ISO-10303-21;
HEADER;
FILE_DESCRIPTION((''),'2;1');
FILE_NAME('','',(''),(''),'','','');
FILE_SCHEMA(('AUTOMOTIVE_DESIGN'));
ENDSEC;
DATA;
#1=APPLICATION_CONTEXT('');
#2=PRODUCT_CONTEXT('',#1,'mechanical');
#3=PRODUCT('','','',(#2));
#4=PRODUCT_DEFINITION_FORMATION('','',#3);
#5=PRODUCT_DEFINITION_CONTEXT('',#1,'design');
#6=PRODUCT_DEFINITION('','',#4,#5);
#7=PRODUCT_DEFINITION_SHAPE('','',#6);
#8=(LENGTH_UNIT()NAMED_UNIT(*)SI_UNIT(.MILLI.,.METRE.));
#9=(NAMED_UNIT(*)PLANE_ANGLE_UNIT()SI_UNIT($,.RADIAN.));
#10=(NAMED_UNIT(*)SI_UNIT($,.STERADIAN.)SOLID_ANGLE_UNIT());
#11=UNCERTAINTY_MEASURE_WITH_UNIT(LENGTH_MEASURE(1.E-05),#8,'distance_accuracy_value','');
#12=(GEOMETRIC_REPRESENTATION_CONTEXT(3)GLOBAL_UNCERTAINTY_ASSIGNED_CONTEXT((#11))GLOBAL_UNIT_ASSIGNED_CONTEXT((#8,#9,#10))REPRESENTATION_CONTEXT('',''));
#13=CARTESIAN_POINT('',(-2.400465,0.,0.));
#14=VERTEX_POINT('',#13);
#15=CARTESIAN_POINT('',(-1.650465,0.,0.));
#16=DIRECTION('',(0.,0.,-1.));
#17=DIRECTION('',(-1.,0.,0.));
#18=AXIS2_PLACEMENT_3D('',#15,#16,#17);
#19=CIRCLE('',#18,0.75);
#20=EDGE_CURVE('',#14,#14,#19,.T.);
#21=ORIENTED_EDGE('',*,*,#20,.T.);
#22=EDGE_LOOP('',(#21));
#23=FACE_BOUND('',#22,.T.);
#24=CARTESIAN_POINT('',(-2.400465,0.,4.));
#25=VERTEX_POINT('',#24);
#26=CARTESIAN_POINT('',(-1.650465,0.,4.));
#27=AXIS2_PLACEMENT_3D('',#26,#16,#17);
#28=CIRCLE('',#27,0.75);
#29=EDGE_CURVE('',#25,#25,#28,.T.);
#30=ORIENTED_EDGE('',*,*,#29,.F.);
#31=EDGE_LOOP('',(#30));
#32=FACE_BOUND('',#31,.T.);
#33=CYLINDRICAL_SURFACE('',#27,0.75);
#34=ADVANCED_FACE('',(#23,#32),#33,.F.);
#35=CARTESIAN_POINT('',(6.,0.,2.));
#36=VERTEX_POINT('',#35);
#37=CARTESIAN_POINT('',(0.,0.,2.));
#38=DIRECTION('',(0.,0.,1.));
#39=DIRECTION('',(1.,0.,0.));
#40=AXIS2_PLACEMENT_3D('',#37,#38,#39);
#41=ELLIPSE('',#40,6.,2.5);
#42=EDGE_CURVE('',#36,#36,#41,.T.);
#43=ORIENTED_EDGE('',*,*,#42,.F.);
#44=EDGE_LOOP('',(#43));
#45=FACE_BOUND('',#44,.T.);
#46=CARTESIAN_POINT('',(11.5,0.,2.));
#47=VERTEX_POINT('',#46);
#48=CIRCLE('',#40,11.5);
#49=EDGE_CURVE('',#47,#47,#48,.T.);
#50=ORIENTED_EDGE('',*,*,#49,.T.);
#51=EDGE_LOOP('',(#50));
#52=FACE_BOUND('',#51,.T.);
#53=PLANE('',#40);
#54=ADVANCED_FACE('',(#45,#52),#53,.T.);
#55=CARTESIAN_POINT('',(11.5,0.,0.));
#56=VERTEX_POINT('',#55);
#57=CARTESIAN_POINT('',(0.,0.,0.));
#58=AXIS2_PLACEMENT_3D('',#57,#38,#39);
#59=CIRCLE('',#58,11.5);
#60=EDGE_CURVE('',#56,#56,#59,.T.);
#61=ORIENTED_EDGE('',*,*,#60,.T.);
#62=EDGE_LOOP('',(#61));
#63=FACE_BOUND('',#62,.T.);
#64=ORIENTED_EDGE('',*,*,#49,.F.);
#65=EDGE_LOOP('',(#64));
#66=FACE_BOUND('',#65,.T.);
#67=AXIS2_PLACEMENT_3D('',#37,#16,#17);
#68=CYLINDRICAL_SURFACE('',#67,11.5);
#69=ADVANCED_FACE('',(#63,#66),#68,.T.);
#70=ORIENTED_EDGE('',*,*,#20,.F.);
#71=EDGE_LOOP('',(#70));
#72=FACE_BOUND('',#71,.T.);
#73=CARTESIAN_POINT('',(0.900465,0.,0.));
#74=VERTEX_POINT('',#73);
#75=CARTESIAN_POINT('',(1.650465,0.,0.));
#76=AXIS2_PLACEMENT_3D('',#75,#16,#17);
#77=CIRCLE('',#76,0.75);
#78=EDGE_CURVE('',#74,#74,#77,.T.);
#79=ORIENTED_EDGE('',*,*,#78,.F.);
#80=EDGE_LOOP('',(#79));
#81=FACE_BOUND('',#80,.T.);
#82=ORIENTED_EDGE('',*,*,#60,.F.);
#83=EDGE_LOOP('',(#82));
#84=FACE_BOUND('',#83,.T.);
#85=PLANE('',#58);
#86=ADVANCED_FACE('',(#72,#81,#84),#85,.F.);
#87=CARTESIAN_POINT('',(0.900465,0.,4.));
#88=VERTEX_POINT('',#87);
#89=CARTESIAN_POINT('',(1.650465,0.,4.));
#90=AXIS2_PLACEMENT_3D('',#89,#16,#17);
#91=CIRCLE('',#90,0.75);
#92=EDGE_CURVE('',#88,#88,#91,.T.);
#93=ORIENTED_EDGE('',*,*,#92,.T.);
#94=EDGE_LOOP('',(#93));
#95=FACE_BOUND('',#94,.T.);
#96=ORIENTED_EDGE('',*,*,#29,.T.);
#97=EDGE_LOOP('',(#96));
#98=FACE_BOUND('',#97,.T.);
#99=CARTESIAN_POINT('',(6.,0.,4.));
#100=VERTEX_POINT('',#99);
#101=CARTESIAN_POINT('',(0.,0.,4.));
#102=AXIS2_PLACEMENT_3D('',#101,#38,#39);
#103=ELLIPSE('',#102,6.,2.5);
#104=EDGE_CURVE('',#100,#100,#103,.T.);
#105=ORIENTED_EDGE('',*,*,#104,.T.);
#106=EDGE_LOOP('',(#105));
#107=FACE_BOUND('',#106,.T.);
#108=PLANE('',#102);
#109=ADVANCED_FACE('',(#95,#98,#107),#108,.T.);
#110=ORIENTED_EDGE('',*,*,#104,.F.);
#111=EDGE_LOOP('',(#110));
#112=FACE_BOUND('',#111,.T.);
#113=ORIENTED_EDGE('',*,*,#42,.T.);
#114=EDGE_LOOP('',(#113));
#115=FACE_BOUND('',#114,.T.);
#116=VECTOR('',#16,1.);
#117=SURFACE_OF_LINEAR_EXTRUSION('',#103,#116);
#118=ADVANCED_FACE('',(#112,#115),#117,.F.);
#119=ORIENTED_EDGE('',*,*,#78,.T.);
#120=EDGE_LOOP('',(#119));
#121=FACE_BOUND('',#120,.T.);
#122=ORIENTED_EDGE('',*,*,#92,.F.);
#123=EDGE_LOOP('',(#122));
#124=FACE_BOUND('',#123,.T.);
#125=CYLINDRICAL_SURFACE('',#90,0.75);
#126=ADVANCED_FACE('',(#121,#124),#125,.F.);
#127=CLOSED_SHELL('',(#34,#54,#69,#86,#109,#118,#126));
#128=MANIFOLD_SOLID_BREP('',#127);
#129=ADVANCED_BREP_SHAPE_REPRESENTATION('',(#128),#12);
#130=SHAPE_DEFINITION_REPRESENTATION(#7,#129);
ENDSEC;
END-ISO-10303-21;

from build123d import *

# Parameters (mm, degrees)
ESQUISSE1_R             = 11.5
BOSS_EXTRU_1_DEPTH      = 2
ESQUISSE6_RX            = 6
ESQUISSE6_RY            = 2.5
BOSS_EXTRU_5_DEPTH      = 2
ESQUISSE7_R             = 0.75
ENL_V_MAT_EXTRU_1_DEPTH = 17.748134224


with BuildPart() as part:
    # Esquisse1 → Boss.-Extru.1 (new body)
    with BuildSketch(Plane.XY):
        Circle(ESQUISSE1_R)
    extrude(amount=BOSS_EXTRU_1_DEPTH)

    # Esquisse6 → Boss.-Extru.5 (add)
    with BuildSketch(Plane.XY.offset(2)):
        with Locations((0, 0)):
            Ellipse(ESQUISSE6_RX, ESQUISSE6_RY)
    extrude(amount=BOSS_EXTRU_5_DEPTH)

    # Esquisse7 → Enlèv. mat.-Extru.1 (cut, through all)
    with BuildSketch(Plane(origin=(0, 0, 0), x_dir=(-1, 0, 0), z_dir=(0, 0, -1))):
        with Locations((1.650464666, 0)):
            Circle(ESQUISSE7_R)
        with Locations((-1.650464666, 0)):
            Circle(ESQUISSE7_R)
    extrude(amount=-ENL_V_MAT_EXTRU_1_DEPTH, mode=Mode.SUBTRACT)


solid = part.part
